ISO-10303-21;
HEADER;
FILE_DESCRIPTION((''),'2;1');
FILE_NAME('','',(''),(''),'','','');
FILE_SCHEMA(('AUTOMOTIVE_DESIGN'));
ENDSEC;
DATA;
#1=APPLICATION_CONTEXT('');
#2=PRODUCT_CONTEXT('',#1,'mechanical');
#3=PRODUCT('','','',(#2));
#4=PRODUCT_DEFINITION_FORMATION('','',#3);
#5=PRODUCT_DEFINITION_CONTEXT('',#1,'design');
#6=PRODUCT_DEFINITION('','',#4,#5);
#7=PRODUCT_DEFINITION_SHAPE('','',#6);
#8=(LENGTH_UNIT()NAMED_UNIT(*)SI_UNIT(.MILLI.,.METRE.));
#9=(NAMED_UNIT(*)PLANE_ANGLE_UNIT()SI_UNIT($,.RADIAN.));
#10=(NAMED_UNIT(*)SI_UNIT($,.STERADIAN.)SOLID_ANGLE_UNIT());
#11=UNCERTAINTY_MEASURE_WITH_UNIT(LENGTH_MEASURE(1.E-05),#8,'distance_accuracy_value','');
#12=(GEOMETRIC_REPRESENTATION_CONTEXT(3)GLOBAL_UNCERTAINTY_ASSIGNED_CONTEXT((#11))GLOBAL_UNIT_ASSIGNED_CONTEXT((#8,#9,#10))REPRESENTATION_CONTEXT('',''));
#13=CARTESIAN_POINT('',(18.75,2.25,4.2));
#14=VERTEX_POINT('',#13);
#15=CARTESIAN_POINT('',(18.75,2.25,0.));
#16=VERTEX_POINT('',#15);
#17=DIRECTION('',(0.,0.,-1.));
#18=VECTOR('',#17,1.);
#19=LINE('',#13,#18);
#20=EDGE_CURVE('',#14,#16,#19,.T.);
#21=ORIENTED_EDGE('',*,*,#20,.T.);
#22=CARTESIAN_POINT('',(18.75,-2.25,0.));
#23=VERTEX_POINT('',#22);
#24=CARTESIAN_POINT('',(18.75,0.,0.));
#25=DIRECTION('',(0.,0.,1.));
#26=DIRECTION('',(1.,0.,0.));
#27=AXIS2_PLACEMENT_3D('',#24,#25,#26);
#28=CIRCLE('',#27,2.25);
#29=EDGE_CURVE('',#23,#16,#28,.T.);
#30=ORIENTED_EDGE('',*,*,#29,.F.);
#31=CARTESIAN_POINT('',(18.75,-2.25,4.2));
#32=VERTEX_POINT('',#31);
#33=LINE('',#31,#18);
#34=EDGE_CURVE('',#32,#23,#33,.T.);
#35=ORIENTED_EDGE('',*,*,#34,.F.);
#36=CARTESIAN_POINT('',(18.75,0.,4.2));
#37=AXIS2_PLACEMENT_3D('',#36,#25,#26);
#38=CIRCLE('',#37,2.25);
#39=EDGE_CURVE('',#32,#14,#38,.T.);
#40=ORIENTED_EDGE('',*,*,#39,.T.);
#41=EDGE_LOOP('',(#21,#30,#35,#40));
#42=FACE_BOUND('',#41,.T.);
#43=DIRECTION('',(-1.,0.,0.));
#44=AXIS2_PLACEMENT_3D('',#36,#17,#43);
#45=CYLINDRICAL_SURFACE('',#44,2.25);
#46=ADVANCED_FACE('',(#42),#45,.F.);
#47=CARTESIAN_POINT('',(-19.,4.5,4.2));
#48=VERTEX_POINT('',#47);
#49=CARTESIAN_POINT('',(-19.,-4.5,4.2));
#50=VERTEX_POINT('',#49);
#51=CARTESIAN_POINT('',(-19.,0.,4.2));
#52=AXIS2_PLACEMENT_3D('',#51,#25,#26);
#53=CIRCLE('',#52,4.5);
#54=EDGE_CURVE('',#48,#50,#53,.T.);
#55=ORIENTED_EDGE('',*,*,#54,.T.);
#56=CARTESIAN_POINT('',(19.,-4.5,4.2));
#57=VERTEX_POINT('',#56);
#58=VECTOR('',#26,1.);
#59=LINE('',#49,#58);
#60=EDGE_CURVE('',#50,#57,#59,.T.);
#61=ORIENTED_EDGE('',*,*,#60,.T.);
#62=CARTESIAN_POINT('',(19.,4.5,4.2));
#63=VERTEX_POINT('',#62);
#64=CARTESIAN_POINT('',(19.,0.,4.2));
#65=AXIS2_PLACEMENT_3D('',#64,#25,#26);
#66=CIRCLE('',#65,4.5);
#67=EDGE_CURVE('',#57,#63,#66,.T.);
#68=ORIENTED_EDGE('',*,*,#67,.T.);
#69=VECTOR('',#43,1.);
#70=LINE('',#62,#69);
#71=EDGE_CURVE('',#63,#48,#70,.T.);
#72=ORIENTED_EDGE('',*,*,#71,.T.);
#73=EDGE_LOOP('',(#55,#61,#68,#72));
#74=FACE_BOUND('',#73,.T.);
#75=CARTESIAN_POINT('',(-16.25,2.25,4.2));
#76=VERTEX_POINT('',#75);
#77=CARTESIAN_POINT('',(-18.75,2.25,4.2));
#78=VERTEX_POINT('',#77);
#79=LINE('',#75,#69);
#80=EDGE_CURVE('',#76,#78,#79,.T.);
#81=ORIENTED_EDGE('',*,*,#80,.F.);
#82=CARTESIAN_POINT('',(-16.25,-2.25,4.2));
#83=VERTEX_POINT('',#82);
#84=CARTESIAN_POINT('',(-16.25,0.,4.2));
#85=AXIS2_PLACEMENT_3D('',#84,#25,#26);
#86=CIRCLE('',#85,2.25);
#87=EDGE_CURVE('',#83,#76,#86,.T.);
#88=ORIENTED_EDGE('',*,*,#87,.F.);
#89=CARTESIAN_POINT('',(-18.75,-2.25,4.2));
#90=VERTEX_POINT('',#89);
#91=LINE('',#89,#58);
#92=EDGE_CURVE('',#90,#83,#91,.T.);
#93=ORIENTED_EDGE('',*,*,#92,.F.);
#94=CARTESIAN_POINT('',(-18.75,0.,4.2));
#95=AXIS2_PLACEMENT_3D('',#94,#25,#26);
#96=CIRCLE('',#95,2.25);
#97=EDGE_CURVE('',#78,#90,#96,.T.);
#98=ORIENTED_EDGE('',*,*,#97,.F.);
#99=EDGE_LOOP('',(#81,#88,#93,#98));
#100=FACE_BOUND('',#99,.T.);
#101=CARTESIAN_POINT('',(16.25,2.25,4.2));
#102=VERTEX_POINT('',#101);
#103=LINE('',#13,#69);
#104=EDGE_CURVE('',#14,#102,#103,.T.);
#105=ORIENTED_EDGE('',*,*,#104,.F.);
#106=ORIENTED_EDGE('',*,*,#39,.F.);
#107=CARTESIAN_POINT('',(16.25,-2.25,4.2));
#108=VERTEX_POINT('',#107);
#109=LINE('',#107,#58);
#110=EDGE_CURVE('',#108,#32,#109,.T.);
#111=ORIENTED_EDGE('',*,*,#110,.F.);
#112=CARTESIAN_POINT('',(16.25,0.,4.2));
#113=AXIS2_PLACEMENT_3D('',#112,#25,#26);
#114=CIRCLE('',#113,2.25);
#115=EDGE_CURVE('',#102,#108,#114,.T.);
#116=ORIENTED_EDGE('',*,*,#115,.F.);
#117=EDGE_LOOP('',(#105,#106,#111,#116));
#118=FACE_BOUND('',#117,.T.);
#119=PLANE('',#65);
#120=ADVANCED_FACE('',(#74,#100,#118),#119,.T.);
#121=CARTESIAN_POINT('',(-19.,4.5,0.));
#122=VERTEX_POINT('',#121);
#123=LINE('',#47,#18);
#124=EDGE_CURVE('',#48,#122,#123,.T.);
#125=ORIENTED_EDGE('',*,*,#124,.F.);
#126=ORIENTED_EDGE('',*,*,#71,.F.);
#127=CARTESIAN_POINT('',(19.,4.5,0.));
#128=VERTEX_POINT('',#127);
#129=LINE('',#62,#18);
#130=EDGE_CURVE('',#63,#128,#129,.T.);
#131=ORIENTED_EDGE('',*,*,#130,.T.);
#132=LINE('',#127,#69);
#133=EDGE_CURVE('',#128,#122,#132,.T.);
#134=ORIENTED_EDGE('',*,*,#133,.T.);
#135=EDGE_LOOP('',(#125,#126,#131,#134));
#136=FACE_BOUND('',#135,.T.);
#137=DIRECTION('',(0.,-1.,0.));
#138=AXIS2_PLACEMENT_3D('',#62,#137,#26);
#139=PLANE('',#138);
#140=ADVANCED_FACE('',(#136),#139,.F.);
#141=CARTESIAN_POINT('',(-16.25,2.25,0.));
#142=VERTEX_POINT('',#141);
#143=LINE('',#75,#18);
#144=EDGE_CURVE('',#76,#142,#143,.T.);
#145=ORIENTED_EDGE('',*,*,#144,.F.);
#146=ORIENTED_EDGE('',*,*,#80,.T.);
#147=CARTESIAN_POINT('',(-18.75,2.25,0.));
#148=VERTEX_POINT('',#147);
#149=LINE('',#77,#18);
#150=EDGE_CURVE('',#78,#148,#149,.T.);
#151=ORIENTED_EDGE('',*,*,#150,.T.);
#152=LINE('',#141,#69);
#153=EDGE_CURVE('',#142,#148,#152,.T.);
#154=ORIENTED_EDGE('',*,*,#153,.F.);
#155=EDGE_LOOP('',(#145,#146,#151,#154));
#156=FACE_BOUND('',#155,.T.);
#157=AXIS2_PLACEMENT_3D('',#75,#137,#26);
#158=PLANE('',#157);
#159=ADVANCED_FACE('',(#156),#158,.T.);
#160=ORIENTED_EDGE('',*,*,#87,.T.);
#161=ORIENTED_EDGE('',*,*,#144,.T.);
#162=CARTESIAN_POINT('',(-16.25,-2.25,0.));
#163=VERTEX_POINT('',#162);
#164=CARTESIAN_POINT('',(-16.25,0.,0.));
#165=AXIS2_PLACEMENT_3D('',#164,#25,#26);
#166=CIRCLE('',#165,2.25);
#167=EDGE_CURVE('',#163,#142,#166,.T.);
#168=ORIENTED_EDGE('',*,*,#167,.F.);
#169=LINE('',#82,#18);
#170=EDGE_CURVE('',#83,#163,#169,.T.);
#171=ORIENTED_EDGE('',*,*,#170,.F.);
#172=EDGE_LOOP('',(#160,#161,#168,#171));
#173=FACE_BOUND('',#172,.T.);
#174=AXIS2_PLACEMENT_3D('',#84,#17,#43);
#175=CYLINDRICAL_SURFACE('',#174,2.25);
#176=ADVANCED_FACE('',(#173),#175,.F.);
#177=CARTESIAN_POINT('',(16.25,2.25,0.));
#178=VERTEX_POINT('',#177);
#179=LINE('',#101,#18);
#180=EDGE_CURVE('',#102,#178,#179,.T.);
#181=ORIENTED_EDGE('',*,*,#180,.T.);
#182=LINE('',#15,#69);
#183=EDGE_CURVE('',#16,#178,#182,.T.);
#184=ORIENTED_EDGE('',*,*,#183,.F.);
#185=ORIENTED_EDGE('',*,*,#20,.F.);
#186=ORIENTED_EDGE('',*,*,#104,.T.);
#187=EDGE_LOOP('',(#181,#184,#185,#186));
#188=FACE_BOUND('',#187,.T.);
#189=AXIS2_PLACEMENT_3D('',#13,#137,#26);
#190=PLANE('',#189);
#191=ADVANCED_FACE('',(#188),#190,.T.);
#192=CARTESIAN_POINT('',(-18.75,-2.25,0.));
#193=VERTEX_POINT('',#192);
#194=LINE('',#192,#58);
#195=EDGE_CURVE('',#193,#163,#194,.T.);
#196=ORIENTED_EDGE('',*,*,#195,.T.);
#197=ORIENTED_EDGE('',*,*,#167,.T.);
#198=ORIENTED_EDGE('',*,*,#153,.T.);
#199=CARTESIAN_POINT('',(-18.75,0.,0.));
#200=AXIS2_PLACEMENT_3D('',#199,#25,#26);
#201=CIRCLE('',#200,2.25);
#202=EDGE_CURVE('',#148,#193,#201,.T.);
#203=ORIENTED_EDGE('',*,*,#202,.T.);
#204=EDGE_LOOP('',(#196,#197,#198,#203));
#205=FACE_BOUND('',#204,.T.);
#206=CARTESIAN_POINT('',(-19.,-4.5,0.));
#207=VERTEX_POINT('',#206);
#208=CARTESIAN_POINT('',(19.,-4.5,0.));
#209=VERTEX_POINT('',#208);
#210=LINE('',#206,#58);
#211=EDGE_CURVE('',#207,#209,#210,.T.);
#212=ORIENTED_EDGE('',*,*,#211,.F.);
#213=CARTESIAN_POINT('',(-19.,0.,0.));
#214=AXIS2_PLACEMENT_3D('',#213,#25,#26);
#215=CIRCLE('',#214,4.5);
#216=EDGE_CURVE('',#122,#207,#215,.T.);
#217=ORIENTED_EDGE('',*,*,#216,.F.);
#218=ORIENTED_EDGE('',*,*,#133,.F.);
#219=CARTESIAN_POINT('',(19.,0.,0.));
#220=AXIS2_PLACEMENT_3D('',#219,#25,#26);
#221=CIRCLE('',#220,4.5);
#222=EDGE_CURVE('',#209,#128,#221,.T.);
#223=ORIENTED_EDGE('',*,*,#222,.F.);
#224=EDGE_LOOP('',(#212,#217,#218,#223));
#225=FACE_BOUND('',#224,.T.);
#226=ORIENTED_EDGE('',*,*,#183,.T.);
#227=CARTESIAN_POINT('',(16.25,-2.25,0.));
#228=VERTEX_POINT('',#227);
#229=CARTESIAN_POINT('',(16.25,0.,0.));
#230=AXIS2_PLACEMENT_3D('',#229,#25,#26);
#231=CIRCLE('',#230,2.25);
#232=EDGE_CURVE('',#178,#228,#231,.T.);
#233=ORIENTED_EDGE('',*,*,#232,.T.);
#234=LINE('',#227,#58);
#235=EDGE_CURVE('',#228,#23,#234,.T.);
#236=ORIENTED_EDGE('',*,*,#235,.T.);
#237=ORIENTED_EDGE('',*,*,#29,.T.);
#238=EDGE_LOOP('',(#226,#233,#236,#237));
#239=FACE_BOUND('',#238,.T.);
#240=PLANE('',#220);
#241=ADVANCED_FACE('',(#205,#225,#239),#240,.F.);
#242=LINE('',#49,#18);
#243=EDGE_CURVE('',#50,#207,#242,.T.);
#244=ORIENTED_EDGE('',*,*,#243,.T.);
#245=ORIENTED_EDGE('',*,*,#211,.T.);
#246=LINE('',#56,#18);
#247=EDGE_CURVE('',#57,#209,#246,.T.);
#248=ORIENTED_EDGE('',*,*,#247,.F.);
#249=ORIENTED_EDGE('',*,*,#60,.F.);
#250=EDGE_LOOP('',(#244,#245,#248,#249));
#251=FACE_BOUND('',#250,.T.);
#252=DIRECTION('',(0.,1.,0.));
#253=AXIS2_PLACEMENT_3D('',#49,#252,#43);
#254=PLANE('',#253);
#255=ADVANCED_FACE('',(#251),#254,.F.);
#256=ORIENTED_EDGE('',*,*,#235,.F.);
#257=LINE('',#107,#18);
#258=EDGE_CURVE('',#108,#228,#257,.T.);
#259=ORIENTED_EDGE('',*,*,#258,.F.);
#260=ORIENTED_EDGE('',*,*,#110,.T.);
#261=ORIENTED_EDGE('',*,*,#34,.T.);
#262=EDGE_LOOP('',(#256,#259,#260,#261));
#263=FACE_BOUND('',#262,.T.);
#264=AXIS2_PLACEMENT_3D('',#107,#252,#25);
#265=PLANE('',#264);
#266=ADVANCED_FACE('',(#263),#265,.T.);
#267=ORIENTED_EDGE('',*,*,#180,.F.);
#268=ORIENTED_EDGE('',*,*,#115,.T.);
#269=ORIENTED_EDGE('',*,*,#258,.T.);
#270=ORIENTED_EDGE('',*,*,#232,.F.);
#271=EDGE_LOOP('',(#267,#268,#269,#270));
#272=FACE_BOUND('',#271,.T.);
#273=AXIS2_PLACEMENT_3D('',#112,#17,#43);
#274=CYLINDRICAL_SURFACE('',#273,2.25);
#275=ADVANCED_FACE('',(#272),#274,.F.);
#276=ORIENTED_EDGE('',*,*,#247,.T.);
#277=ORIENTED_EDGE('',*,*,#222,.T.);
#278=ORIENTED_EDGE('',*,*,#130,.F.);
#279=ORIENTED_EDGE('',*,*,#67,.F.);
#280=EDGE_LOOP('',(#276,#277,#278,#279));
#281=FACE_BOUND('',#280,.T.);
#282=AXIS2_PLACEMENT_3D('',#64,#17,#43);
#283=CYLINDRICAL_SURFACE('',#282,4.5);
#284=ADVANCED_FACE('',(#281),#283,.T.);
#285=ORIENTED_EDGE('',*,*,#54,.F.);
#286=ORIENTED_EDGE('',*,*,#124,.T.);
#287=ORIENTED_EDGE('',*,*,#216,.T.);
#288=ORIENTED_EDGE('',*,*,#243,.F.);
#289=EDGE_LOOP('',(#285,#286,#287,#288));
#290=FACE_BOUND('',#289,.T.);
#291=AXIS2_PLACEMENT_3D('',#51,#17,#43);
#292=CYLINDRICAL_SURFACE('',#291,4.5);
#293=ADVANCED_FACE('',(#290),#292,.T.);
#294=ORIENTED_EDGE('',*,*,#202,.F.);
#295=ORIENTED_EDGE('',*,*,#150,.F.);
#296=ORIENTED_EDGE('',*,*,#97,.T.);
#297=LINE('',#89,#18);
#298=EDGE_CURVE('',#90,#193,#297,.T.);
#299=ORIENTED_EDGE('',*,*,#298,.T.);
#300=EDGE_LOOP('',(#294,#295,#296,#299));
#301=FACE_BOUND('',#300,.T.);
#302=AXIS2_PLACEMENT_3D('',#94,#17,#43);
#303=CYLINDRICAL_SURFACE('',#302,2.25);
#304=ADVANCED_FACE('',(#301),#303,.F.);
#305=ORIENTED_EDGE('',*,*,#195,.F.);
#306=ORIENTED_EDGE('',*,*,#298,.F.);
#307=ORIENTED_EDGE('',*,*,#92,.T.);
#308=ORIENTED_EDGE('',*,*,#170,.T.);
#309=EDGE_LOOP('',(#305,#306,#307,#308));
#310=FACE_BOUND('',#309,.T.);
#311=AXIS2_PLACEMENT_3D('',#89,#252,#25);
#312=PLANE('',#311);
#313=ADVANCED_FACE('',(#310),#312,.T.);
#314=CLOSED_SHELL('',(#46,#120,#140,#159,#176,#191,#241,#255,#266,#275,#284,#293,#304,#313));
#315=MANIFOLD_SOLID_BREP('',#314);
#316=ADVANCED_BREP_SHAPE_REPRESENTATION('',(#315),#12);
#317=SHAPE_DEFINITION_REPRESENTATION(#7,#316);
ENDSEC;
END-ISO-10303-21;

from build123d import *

# Parameters (mm, degrees)
SALIENTE_EXTRUIR2_DEPTH = 4.2


with BuildPart() as part:
    # Croquis1 → Saliente-Extruir2 (new body)
    with BuildSketch(Plane.XY):
        with BuildLine():
            Line((19, 4.5), (-19, 4.5))
            ThreePointArc((-19, 4.5), (-23.5, 0), (-19, -4.5))
            Line((-19, -4.5), (19, -4.5))
            ThreePointArc((19, -4.5), (23.5, 0), (19, 4.5))
        make_face()
        with BuildLine():
            Line((18.75, 2.25), (16.25, 2.25))
            ThreePointArc((16.25, 2.25), (14, 0), (16.25, -2.25))
            Line((16.25, -2.25), (18.75, -2.25))
            ThreePointArc((18.75, -2.25), (21, 0), (18.75, 2.25))
        make_face(mode=Mode.SUBTRACT)
        with BuildLine():
            Line((-16.25, 2.25), (-18.75, 2.25))
            ThreePointArc((-18.75, 2.25), (-21, 0), (-18.75, -2.25))
            Line((-18.75, -2.25), (-16.25, -2.25))
            ThreePointArc((-16.25, -2.25), (-14, 0), (-16.25, 2.25))
        make_face(mode=Mode.SUBTRACT)
    extrude(amount=SALIENTE_EXTRUIR2_DEPTH)


solid = part.part
